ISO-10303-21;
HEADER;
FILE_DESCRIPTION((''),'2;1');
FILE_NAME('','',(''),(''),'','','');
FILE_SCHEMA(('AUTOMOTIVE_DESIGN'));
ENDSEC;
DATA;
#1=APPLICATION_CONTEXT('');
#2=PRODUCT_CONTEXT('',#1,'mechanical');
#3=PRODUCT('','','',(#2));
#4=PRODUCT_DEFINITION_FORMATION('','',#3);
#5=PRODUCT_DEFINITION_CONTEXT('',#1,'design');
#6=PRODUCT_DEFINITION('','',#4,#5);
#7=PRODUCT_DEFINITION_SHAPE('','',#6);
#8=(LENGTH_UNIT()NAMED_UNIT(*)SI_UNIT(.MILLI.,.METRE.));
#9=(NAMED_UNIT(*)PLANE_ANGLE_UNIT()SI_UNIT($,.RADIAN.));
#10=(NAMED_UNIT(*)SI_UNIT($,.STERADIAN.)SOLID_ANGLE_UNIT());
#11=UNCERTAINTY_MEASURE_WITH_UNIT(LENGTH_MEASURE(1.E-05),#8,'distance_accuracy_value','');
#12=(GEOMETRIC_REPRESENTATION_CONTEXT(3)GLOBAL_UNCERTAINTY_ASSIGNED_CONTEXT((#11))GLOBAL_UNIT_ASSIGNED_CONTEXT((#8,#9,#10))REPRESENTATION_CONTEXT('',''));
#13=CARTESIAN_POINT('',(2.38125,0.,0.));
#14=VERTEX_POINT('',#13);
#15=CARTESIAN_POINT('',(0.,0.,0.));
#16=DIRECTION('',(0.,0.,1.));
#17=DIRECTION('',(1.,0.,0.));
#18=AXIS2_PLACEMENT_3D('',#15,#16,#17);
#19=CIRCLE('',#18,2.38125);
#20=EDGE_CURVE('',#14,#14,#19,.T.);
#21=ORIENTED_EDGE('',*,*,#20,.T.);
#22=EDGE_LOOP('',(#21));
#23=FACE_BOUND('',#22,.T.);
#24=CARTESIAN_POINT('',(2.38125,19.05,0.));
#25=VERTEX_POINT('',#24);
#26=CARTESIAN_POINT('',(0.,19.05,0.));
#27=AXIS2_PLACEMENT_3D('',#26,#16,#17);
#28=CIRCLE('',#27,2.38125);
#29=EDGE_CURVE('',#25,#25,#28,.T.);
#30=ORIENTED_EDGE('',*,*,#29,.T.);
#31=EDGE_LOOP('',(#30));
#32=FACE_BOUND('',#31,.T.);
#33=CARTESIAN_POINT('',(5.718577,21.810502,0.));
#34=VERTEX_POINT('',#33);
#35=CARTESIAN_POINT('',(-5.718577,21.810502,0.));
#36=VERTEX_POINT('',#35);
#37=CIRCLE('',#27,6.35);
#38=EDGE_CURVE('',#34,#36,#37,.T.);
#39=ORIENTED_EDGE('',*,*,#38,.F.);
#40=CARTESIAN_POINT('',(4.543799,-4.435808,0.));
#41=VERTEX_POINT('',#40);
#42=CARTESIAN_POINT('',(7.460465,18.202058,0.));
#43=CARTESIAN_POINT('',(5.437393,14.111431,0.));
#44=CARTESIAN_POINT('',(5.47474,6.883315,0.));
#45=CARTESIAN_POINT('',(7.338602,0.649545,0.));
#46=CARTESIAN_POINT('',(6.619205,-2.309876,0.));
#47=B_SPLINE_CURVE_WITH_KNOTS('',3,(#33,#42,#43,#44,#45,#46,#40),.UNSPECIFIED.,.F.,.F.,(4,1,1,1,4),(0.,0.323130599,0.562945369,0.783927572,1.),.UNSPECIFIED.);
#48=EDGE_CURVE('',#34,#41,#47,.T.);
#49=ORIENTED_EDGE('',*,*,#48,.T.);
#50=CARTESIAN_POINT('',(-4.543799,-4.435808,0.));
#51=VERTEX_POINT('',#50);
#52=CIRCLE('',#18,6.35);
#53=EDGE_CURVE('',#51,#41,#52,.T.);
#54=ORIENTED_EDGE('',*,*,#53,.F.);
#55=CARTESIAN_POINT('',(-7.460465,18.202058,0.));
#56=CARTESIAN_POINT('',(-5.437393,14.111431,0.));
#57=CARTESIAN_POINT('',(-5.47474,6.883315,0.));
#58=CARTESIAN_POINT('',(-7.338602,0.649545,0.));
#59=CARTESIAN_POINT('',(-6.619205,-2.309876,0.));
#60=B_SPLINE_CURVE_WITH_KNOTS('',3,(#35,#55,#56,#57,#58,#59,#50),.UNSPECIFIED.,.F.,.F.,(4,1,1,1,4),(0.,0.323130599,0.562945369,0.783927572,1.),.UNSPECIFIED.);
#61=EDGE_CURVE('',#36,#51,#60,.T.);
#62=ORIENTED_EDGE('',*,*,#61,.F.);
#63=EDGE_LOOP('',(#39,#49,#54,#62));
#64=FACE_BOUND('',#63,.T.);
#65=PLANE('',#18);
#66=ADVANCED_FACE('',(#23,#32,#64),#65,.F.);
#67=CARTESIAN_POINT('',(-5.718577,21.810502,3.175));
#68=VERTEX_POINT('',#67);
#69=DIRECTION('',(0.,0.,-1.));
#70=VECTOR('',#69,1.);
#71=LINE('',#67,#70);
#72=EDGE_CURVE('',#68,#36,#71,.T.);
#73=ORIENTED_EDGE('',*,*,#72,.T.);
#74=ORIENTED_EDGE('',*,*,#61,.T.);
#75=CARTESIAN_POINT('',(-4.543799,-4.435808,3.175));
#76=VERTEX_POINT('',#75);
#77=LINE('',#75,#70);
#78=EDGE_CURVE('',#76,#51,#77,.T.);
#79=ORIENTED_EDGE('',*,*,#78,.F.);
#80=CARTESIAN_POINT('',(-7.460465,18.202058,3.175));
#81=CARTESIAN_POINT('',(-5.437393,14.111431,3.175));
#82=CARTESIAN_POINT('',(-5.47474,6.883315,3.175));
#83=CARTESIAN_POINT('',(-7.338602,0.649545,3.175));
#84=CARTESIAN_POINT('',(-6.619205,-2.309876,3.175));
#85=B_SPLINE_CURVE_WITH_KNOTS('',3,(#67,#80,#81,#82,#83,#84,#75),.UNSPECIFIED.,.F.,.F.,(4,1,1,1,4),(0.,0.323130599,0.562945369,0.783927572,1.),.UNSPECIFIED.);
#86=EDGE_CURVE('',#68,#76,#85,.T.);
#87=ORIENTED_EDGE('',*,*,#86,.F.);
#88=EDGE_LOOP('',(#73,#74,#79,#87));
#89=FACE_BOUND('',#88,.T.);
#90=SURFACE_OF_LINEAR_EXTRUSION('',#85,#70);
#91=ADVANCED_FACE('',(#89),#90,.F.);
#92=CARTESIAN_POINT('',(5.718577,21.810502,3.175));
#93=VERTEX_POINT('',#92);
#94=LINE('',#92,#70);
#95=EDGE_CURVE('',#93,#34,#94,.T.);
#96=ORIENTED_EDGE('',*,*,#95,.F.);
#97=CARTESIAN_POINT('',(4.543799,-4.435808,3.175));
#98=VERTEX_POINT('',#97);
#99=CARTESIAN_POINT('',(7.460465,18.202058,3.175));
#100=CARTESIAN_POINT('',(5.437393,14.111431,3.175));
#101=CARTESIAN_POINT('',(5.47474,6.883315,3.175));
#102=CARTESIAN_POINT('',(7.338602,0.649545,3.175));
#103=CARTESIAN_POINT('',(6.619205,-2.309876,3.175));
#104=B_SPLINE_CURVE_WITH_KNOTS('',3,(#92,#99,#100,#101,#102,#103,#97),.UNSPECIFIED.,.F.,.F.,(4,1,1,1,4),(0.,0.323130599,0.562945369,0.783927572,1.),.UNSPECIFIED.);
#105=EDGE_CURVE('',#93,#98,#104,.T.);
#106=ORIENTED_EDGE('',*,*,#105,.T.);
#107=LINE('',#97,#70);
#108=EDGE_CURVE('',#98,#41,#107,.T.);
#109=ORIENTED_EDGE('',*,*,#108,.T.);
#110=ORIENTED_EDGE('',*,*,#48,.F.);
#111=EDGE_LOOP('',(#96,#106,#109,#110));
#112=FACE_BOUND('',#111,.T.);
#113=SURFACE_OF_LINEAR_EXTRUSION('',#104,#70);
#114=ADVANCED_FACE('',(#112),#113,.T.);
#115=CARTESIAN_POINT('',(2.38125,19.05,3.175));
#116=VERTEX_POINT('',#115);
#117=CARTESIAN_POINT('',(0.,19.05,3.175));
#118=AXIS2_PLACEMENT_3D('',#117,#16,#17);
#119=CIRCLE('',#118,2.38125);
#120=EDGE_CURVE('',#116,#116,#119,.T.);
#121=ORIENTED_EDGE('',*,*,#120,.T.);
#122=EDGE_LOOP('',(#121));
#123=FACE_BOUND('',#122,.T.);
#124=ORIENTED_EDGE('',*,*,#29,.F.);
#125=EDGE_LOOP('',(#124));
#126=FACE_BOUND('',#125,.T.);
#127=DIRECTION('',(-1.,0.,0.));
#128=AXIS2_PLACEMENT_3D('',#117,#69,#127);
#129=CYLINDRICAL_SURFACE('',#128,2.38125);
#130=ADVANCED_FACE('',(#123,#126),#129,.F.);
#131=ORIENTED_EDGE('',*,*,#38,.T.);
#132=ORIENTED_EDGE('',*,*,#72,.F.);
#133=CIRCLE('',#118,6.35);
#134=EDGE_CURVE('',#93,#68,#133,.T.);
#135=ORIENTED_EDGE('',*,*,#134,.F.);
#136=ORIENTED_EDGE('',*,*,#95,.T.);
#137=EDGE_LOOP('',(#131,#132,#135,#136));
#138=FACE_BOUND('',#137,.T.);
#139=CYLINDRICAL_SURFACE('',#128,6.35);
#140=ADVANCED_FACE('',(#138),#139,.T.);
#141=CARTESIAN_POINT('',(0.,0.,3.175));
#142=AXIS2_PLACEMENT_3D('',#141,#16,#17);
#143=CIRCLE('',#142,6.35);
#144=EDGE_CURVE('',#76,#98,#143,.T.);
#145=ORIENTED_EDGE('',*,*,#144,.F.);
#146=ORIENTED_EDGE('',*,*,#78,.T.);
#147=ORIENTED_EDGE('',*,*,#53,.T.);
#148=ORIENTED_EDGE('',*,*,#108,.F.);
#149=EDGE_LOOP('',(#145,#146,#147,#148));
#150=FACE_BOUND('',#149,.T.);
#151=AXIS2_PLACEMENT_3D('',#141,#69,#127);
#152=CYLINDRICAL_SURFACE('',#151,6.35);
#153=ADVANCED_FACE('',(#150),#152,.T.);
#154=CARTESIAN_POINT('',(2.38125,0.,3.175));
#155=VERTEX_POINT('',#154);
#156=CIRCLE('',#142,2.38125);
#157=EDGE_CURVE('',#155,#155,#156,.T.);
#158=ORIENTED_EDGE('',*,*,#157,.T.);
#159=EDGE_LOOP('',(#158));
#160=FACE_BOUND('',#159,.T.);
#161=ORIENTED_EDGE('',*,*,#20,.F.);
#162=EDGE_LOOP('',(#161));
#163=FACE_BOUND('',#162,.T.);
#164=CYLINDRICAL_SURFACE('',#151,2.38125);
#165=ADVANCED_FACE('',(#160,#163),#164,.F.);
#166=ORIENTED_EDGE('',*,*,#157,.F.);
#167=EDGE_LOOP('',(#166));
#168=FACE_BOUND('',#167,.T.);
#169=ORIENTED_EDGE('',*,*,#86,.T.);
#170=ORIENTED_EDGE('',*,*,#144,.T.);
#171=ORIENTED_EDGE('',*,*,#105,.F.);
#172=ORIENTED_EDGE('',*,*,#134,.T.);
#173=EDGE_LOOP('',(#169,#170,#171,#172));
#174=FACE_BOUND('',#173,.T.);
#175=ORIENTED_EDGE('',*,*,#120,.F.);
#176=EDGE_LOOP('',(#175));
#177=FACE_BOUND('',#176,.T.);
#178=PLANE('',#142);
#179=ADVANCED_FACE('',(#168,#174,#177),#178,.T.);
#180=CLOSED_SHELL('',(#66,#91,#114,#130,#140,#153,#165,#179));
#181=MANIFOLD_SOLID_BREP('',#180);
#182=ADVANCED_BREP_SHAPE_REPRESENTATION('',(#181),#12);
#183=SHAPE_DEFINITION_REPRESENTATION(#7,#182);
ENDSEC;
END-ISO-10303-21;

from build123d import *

# Parameters (mm, degrees)
SKETCH1_R           = 2.38125
BOSS_EXTRUDE1_DEPTH = 3.175


with BuildPart() as part:
    # Sketch1 → Boss-Extrude1 (new body)
    with BuildSketch(Plane.XY):
        with BuildLine():
            add(Edge.make_bspline(
                [(5.71857736, 21.810502305), (7.460464953, 18.202057953), (5.437393373, 14.111430659), (5.474739559, 6.883315357), (7.338602203, 0.649545133), (6.619204962, -2.309875554), (4.543798803, -4.43580798)],
                knots=[0, 0, 0, 0, 0.323130599, 0.562945369, 0.783927572, 1, 1, 1, 1], degree=3))
            ThreePointArc((5.71857736, 21.810502305), (0, 25.4), (-5.71857736, 21.810502305))
            add(Edge.make_bspline(
                [(-5.71857736, 21.810502305), (-7.460464953, 18.202057953), (-5.437393373, 14.111430659), (-5.474739559, 6.883315357), (-7.338602203, 0.649545133), (-6.619204962, -2.309875554), (-4.543798803, -4.43580798)],
                knots=[0, 0, 0, 0, 0.323130599, 0.562945369, 0.783927572, 1, 1, 1, 1], degree=3))
            ThreePointArc((-4.543798803, -4.43580798), (0, -6.35), (4.543798803, -4.43580798))
        make_face()
        with BuildLine():
            ThreePointArc((0, 2.38125), (1.683798023, 1.683798023), (2.38125, 0))
            ThreePointArc((2.38125, 0), (-1.683798023, -1.683798023), (0, 2.38125))
        make_face(mode=Mode.SUBTRACT)
        with Locations((0, 19.05)):
            Circle(SKETCH1_R, mode=Mode.SUBTRACT)
    extrude(amount=BOSS_EXTRUDE1_DEPTH)


solid = part.part
